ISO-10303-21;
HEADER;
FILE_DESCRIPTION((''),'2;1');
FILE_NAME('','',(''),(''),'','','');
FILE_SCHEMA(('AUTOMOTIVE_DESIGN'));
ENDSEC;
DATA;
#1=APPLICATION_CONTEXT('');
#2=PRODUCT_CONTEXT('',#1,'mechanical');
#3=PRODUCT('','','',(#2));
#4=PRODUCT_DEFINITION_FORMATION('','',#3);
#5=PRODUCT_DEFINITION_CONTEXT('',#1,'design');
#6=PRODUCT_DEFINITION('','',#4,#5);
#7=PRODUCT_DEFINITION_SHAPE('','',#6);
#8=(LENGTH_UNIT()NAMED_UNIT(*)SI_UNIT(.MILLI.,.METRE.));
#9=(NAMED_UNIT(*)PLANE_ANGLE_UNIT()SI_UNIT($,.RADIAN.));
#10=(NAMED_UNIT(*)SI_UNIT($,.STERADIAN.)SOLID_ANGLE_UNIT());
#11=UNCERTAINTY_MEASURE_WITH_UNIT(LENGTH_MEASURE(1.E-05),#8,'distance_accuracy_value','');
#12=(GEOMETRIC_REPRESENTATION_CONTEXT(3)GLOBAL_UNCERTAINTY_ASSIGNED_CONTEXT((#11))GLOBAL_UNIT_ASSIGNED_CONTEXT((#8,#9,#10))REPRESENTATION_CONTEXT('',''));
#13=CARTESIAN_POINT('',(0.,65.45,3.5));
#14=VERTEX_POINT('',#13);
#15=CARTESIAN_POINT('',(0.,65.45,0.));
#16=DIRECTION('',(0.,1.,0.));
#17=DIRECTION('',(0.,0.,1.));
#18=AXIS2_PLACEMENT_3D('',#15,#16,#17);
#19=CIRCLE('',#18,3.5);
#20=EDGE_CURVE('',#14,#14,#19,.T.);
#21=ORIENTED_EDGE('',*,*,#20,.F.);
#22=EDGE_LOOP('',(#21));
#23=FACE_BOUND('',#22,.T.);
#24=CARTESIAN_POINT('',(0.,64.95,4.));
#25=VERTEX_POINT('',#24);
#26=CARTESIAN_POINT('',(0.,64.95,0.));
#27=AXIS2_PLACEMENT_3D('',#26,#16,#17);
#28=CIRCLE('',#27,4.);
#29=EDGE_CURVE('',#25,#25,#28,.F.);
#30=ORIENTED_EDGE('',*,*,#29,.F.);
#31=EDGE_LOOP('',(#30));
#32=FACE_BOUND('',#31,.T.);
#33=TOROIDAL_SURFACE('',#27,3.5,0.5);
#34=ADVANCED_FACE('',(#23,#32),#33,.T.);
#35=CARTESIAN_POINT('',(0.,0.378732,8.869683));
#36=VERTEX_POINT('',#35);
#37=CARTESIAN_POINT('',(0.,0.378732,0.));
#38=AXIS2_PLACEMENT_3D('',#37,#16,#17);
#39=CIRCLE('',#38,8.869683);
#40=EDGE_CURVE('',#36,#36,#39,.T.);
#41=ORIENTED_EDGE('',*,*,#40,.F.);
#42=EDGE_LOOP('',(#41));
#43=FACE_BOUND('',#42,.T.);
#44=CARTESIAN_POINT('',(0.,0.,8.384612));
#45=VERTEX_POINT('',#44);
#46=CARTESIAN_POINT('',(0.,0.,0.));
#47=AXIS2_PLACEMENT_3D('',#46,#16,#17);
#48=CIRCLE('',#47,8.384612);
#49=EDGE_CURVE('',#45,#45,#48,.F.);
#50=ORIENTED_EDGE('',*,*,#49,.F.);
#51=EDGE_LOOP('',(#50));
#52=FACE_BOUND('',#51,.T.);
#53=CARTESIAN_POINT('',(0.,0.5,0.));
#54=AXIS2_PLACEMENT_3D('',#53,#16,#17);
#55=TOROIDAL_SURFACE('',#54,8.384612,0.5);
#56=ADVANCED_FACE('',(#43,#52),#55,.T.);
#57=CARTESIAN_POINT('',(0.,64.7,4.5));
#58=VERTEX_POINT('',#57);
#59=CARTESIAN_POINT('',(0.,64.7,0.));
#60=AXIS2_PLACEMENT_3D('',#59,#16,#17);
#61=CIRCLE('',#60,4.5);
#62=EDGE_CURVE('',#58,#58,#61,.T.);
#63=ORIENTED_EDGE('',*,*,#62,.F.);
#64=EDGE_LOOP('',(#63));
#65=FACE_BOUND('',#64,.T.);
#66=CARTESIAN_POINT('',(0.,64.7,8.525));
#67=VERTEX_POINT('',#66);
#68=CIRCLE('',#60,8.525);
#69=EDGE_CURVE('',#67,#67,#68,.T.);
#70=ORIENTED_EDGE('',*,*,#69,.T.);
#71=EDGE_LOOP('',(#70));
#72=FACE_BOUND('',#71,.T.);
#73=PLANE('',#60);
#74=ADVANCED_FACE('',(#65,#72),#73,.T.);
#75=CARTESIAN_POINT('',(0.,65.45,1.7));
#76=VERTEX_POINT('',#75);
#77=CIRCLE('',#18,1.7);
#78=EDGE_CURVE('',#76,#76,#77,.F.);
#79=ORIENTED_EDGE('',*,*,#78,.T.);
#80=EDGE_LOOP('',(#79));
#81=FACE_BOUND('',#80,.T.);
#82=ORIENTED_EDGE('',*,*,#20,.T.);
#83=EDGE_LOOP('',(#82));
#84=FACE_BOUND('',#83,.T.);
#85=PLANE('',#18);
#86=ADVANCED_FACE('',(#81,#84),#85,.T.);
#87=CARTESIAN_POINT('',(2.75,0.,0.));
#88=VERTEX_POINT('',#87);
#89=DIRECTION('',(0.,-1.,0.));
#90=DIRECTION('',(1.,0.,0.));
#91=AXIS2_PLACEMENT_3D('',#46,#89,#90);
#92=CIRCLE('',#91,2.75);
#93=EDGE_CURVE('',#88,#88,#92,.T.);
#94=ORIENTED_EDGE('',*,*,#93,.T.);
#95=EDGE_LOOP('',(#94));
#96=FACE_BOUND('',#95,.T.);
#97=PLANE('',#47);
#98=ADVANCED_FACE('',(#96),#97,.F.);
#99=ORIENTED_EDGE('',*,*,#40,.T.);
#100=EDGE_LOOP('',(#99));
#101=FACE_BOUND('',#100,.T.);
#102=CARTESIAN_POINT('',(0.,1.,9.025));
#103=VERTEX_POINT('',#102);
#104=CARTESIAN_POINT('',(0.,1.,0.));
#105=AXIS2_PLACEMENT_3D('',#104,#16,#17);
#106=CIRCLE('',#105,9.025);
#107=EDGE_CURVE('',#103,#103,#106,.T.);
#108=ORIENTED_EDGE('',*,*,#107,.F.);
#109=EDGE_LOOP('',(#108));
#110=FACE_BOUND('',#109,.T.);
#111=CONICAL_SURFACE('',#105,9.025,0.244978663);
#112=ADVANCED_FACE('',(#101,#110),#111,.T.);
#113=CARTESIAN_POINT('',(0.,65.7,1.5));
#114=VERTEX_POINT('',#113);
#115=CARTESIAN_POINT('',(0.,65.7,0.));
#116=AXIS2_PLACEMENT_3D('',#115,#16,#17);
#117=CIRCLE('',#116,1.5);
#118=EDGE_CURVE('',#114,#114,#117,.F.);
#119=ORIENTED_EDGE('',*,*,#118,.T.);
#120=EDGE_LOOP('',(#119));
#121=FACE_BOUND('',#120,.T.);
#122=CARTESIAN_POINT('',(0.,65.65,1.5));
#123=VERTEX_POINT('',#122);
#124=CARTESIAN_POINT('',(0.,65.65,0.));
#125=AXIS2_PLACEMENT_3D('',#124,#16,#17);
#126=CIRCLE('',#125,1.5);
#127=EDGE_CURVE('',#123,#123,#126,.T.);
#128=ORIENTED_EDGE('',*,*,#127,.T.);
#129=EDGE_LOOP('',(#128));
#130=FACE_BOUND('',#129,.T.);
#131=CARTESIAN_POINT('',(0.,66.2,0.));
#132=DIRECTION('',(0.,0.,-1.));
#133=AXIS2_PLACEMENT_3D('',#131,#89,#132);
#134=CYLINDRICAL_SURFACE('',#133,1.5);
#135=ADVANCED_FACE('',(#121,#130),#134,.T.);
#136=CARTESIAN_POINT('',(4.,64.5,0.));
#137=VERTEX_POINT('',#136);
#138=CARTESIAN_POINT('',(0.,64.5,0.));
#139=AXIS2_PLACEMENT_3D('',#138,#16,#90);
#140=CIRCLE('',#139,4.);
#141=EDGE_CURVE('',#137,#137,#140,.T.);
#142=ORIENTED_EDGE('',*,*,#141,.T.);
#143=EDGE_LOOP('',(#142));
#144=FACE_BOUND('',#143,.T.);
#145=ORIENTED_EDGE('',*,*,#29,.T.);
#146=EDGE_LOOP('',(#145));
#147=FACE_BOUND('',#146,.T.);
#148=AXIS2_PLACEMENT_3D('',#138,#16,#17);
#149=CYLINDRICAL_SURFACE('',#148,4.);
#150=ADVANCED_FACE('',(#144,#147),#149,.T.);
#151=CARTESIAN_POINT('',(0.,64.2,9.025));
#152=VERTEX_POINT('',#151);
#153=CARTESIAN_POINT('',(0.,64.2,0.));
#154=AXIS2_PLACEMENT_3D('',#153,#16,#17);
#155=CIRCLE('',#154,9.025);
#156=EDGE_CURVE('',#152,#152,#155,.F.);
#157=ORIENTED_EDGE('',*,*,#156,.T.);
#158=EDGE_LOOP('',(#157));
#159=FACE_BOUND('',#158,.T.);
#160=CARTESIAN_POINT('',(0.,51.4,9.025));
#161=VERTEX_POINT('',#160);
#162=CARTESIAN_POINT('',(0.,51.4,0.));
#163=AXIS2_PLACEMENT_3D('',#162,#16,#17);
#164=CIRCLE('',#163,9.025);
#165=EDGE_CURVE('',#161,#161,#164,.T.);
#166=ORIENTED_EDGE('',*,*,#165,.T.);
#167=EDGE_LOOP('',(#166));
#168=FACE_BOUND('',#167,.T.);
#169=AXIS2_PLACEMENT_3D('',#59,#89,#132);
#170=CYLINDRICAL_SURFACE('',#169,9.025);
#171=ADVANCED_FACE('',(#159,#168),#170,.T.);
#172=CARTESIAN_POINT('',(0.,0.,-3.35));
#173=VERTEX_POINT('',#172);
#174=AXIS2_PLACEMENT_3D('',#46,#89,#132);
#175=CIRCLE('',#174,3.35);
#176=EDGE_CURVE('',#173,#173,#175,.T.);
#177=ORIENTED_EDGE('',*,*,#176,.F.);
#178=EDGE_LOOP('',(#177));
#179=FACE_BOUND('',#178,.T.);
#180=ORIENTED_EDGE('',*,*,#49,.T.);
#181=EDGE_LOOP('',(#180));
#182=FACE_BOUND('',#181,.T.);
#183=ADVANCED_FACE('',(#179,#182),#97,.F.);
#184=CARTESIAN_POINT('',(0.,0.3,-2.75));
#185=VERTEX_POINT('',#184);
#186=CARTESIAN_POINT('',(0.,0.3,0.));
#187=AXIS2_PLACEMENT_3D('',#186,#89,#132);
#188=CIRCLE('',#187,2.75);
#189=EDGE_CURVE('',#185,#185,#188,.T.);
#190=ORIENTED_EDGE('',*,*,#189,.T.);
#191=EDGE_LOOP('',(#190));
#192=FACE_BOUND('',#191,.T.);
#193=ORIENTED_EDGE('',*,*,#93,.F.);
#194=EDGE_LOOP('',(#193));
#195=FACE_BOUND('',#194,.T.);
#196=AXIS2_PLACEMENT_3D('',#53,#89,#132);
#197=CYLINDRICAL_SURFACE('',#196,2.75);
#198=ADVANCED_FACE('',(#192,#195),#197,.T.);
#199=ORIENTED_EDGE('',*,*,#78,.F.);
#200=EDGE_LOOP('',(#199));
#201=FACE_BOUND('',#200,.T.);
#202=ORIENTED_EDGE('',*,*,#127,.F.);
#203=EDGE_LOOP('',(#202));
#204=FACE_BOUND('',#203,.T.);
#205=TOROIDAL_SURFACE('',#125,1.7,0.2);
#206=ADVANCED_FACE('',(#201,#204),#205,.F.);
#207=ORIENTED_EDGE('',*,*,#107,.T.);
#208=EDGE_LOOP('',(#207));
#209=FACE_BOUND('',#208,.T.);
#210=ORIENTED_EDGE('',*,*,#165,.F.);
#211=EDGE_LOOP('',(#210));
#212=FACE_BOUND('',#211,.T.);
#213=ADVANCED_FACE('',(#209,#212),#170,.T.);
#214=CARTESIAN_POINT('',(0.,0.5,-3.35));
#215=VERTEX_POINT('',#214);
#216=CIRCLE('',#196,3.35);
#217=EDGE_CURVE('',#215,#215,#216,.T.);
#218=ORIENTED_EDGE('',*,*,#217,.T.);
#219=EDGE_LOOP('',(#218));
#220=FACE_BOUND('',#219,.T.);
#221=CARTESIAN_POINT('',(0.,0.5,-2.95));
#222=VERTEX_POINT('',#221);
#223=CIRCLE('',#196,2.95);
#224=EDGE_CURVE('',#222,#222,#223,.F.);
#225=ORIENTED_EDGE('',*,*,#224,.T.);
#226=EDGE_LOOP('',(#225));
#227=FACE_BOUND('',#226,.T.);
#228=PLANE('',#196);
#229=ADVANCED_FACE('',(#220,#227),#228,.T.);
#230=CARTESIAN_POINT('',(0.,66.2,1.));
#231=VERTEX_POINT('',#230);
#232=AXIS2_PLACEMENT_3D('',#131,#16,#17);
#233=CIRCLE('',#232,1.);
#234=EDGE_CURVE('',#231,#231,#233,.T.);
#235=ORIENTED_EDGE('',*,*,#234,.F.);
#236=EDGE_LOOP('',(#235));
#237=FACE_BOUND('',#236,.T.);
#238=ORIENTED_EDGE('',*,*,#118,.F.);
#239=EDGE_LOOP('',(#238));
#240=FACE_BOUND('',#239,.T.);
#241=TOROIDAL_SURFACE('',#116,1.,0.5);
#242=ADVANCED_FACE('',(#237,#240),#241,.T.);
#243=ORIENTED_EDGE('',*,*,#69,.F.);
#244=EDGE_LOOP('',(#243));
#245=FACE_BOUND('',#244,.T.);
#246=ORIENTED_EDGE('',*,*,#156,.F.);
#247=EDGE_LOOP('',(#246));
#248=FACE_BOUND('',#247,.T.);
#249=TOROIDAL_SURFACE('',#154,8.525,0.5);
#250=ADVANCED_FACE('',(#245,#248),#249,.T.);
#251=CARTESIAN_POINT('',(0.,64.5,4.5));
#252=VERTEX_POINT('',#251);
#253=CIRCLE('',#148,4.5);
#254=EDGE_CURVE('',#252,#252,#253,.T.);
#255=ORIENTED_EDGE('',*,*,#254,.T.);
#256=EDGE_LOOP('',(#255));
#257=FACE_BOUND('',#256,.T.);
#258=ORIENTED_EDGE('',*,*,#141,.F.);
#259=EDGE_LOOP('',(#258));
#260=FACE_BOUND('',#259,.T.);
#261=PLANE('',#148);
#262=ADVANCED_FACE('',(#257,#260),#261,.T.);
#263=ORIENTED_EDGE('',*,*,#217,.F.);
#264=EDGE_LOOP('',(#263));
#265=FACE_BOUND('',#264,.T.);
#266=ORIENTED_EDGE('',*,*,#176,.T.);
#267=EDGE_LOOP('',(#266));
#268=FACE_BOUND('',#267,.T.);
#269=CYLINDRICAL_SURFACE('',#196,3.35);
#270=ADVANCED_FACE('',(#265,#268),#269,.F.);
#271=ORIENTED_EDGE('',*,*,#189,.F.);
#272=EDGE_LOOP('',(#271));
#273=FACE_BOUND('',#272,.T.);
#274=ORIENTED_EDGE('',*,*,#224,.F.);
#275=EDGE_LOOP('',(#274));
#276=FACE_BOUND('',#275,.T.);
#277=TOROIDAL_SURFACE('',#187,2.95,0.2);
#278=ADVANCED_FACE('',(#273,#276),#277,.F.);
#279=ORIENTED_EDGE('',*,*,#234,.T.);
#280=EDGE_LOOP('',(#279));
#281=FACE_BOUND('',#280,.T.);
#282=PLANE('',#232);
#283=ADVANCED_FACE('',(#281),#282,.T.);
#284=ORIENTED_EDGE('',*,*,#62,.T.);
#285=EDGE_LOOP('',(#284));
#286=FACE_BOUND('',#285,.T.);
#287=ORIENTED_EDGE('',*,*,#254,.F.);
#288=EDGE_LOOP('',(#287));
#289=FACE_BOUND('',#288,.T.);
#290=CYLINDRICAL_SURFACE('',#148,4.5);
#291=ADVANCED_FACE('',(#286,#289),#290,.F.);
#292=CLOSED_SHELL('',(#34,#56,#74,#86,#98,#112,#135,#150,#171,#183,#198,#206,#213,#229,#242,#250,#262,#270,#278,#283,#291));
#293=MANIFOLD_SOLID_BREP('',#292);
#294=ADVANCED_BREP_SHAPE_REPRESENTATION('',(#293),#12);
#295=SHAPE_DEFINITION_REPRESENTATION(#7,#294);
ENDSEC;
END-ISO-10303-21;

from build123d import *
from build123d.topology import SkipClean

# Parameters (mm, degrees)
SKETCH1_R      = 9.025
BASE_DEPTH     = 64.7
SKETCH7_R      = 4.5
SKETCH7_R_2    = 4
RIM_DEPTH      = 0.2
SKETCH2_R      = 1.5
TERMINAL_DEPTH = 1.5
SKETCH6_R      = 4
STEP_DEPTH     = 0.75
SKETCH3_R      = 3.35
SKETCH3_R_2    = 2.75
RIM_2_DEPTH    = 0.5
OUTER_FILLET_R = 0.5
INNER_FILLET_R = 0.2


with BuildPart() as part:
    # Sketch1 → Base (new body)
    with BuildSketch(Plane(origin=(0, 0, 0), x_dir=(1, 0, 0), z_dir=(0, 1, 0))):
        with Locations(Location((0, 0, 0), (0, 0, 270))):  # turned: the seam where the file's is
            Circle(SKETCH1_R)
    extrude(amount=BASE_DEPTH)

    # Sketch7 → Rim (cut)
    with BuildSketch(Plane(origin=(0, 64.7, 0), x_dir=(1, 0, 0), z_dir=(0, 1, 0))):
        Circle(SKETCH7_R)
        Circle(SKETCH7_R_2, mode=Mode.SUBTRACT)
    extrude(amount=-RIM_DEPTH, mode=Mode.SUBTRACT)

    # Sketch2 → Terminal (add)
    with BuildSketch(Plane(origin=(0, 64.7, 0), x_dir=(1, 0, 0), z_dir=(0, 1, 0))):
        with Locations(Location((0, 0, 0), (0, 0, 270))):  # turned: the seam where the file's is
            Circle(SKETCH2_R)
    extrude(amount=TERMINAL_DEPTH)

    # Sketch6 → Step (add)
    with SkipClean():  # keep this step's faces unmerged: merging them makes the solid invalid here
        with BuildSketch(Plane(origin=(0, 64.7, 0), x_dir=(1, 0, 0), z_dir=(0, 1, 0))):
            with Locations(Location((0, 0, 0), (0, 0, 270))):  # turned: the seam where the file's is
                Circle(SKETCH6_R)
        extrude(amount=STEP_DEPTH)

    # Sketch8 → Drop Off (revolve, cut)
    with SkipClean():  # keep this step's faces unmerged: merging them makes the solid invalid here
        with BuildSketch(Plane(origin=(0, 0, 0), x_dir=(0, 0, -1), z_dir=(1, 0, 0)), mode=Mode.PRIVATE) as drop_off_sk:
            Polygon((9.025, 1), (9.025, 0), (8.775, 0), align=None)
        revolve(drop_off_sk.sketch.rotate(Axis((0, 64.7, 0), (0, -1, 0)), 180), axis=Axis((0, 64.7, 0), (0, -1, 0)), mode=Mode.SUBTRACT)  # turned: the seam where the file's is

    # Sketch3 → Rim 2 (cut)
    with SkipClean():  # keep this step's faces unmerged: merging them makes the solid invalid here
        with BuildSketch(Plane.XZ):
            Circle(SKETCH3_R)
            Circle(SKETCH3_R_2, mode=Mode.SUBTRACT)
        extrude(amount=-RIM_2_DEPTH, mode=Mode.SUBTRACT)

    # Outer Fillet
    outer_fillet_edges = [part.edges().sort_by_distance(p)[0] for p in [
        (0, 66.2, -1.5),
        (0, 65.45, -4),
        (0, 0, -8.775),
        (0, 64.7, -9.025),
    ]]
    fillet(outer_fillet_edges, radius=OUTER_FILLET_R)

    # Inner Fillet
    inner_fillet_edges = [part.edges().sort_by_distance(p)[0] for p in [
        (0, 65.45, -1.5),
        (-2.75, 0.5, 0),
    ]]
    fillet(inner_fillet_edges, radius=INNER_FILLET_R)


solid = part.part
